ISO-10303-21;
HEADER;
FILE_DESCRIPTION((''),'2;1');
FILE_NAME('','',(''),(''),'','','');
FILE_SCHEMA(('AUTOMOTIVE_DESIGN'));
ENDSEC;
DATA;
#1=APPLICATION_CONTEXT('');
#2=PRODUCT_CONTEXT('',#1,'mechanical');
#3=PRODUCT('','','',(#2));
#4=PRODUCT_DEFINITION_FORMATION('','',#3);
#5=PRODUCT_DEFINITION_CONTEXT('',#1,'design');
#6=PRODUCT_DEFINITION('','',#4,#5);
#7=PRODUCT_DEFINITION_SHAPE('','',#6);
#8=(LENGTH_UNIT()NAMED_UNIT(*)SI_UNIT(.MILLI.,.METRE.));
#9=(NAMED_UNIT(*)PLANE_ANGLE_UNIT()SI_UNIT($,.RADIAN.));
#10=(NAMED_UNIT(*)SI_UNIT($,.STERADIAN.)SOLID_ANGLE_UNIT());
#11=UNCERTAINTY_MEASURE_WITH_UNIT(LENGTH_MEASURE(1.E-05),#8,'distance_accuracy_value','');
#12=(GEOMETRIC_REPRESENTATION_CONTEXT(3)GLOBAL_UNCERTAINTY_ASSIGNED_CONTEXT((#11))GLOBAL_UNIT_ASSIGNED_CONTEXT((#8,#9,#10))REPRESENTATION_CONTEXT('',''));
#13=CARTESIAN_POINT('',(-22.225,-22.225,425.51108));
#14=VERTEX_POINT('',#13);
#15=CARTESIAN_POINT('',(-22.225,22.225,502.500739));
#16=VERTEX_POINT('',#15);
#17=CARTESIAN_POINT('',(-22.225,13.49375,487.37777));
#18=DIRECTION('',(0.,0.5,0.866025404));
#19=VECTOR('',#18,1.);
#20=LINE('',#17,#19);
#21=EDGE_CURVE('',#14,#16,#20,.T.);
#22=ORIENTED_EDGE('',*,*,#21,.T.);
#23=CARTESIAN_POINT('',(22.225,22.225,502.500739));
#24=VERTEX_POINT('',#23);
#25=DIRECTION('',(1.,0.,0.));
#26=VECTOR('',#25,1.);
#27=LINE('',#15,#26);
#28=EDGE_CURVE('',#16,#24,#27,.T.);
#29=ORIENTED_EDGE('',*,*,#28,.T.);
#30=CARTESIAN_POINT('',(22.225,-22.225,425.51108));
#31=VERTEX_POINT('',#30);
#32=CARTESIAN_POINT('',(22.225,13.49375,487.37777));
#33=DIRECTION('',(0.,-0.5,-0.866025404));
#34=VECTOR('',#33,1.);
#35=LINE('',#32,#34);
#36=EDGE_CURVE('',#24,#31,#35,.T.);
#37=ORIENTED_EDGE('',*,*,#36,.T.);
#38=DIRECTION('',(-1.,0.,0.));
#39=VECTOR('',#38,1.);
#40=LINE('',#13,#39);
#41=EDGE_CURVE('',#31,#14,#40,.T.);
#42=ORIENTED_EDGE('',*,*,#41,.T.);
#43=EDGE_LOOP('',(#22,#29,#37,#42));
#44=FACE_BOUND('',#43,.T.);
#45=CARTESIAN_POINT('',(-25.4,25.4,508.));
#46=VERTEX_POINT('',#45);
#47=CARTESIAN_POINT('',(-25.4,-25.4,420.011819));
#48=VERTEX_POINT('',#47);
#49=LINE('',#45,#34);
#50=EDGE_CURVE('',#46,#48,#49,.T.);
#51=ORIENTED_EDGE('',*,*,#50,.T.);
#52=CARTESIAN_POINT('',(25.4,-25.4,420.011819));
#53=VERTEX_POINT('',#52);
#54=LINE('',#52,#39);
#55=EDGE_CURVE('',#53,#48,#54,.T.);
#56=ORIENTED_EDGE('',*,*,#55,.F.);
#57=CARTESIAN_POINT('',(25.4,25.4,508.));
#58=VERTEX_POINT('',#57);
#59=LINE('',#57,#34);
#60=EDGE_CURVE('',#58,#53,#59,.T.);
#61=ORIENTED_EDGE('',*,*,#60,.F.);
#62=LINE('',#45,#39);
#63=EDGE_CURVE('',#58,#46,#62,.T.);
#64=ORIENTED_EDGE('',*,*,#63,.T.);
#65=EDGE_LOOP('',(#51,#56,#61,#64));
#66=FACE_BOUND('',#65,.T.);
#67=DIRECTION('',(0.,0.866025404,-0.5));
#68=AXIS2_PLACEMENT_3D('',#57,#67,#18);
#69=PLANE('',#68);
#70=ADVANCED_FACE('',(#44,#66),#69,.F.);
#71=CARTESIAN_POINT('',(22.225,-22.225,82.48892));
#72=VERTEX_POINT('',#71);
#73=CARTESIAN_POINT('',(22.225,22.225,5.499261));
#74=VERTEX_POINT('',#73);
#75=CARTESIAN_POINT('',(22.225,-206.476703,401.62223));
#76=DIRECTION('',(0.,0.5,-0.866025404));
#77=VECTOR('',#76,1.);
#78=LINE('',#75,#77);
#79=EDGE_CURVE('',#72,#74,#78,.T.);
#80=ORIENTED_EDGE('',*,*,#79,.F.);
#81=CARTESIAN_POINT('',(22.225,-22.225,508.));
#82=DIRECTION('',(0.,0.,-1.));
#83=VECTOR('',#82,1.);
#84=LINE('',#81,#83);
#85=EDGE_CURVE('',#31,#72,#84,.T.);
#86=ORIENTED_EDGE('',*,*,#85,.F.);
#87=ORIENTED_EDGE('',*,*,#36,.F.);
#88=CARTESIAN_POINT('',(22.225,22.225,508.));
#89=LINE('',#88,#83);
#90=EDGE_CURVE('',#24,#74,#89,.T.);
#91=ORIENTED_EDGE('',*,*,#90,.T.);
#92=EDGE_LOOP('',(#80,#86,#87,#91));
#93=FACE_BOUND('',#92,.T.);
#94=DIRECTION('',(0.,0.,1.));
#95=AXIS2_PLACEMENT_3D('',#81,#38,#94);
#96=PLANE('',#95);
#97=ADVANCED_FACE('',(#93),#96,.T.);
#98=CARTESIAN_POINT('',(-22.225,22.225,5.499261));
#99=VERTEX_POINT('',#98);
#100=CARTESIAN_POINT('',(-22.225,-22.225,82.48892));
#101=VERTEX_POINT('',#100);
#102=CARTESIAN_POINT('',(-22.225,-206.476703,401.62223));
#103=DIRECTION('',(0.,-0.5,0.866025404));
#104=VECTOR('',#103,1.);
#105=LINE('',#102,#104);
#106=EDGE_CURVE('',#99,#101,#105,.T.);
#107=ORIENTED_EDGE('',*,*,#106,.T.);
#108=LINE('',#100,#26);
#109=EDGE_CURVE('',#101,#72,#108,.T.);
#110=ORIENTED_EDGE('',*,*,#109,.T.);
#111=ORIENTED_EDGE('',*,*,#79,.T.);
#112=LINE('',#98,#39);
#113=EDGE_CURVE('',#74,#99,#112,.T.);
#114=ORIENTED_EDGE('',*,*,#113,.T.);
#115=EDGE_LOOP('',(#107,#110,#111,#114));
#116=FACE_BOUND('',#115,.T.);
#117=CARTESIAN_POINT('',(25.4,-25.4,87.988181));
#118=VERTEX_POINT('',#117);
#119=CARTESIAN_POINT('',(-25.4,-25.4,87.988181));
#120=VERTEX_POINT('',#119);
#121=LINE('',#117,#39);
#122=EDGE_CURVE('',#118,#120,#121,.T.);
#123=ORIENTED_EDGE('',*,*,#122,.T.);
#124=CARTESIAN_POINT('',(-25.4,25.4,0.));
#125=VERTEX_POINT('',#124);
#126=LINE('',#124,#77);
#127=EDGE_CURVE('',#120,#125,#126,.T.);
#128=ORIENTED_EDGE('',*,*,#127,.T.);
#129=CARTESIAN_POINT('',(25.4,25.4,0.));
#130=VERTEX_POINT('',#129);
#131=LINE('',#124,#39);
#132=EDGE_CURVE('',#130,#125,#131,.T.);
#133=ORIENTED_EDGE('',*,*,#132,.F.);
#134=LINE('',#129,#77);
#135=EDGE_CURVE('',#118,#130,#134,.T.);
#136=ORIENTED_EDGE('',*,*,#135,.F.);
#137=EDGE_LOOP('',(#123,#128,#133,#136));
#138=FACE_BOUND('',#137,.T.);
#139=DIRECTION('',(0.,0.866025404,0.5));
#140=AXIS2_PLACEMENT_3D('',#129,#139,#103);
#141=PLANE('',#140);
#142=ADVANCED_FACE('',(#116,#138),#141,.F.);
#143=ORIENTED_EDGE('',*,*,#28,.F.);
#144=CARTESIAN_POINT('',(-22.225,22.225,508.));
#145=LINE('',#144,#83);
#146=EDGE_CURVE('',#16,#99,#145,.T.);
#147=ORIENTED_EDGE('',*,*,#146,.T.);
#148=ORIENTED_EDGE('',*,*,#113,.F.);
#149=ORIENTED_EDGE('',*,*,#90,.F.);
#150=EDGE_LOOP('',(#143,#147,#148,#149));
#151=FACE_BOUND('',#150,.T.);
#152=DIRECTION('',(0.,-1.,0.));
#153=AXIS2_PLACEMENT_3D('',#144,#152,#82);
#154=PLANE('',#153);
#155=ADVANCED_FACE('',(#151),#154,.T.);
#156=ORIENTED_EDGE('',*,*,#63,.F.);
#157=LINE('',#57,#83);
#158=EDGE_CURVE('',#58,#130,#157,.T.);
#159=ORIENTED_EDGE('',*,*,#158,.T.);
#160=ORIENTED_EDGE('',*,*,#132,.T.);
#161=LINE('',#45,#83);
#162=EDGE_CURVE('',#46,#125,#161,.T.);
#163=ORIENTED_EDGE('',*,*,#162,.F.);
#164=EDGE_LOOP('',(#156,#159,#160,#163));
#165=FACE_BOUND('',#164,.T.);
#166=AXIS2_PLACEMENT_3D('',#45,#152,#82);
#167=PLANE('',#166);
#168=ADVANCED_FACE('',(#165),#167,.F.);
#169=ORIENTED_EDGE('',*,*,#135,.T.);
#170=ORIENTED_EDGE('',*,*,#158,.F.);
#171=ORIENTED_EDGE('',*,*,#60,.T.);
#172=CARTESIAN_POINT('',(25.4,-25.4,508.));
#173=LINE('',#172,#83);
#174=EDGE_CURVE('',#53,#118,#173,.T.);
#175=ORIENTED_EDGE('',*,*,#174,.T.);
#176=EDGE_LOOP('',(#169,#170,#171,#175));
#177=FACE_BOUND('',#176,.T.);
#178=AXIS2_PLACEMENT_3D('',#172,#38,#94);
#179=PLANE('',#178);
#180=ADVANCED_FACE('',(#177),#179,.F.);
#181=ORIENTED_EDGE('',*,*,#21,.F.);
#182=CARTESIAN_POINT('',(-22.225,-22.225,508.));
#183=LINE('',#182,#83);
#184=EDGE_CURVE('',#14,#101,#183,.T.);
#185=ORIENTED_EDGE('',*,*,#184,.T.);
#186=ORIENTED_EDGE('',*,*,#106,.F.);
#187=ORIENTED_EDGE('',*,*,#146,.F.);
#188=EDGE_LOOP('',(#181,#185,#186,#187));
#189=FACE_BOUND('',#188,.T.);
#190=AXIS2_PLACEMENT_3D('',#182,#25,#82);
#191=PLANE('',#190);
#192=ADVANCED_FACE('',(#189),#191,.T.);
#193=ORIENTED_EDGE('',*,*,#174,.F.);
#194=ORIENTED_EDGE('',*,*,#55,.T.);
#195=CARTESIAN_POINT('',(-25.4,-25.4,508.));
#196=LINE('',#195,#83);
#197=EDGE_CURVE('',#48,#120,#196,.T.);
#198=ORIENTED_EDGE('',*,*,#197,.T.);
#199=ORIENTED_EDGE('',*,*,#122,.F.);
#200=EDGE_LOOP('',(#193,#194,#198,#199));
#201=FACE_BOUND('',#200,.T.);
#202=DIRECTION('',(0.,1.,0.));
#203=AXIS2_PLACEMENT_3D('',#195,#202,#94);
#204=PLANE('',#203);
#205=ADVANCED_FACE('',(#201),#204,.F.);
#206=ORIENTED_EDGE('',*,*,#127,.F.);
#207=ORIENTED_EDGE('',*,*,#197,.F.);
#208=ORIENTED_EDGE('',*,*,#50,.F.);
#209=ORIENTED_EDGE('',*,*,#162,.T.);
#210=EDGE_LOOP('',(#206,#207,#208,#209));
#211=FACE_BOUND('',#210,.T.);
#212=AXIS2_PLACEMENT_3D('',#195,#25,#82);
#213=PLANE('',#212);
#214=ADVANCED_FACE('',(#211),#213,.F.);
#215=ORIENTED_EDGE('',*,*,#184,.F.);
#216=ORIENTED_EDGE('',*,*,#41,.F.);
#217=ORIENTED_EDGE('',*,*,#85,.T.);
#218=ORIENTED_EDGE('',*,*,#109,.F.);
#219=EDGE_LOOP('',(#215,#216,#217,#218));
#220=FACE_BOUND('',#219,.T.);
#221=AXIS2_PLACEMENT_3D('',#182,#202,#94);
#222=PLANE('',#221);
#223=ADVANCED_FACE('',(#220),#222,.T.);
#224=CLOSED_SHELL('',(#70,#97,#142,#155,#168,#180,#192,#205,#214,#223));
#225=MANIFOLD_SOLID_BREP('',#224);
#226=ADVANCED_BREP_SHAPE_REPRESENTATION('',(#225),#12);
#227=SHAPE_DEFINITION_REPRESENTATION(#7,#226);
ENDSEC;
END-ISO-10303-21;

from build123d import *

# Parameters (mm, degrees)
SKETCH1_W           = 50.8
SKETCH1_H           = 50.8
SKETCH1_W_2         = 44.45
SKETCH1_H_2         = 44.45
BOSS_EXTRUDE1_DEPTH = 508
CUT_EXTRUDE1_DEPTH  = 512.165139656


with BuildPart() as part:
    # Sketch1 → Boss-Extrude1 (new body)
    with BuildSketch(Plane.XY):
        Rectangle(SKETCH1_W, SKETCH1_H)
        Rectangle(SKETCH1_W_2, SKETCH1_H_2, mode=Mode.SUBTRACT)
    extrude(amount=BOSS_EXTRUDE1_DEPTH)

    # Sketch2 → Cut-Extrude1 (cut, through all)
    with BuildSketch(Plane.ZY.offset(25.4)):
        Polygon((0, 25.4), (87.988181024, -25.4), (0, -25.4), align=None)
        Polygon((508, 25.4), (420.011818975, -25.4), (508, -25.4), align=None)
    extrude(amount=-CUT_EXTRUDE1_DEPTH, mode=Mode.SUBTRACT)


solid = part.part
